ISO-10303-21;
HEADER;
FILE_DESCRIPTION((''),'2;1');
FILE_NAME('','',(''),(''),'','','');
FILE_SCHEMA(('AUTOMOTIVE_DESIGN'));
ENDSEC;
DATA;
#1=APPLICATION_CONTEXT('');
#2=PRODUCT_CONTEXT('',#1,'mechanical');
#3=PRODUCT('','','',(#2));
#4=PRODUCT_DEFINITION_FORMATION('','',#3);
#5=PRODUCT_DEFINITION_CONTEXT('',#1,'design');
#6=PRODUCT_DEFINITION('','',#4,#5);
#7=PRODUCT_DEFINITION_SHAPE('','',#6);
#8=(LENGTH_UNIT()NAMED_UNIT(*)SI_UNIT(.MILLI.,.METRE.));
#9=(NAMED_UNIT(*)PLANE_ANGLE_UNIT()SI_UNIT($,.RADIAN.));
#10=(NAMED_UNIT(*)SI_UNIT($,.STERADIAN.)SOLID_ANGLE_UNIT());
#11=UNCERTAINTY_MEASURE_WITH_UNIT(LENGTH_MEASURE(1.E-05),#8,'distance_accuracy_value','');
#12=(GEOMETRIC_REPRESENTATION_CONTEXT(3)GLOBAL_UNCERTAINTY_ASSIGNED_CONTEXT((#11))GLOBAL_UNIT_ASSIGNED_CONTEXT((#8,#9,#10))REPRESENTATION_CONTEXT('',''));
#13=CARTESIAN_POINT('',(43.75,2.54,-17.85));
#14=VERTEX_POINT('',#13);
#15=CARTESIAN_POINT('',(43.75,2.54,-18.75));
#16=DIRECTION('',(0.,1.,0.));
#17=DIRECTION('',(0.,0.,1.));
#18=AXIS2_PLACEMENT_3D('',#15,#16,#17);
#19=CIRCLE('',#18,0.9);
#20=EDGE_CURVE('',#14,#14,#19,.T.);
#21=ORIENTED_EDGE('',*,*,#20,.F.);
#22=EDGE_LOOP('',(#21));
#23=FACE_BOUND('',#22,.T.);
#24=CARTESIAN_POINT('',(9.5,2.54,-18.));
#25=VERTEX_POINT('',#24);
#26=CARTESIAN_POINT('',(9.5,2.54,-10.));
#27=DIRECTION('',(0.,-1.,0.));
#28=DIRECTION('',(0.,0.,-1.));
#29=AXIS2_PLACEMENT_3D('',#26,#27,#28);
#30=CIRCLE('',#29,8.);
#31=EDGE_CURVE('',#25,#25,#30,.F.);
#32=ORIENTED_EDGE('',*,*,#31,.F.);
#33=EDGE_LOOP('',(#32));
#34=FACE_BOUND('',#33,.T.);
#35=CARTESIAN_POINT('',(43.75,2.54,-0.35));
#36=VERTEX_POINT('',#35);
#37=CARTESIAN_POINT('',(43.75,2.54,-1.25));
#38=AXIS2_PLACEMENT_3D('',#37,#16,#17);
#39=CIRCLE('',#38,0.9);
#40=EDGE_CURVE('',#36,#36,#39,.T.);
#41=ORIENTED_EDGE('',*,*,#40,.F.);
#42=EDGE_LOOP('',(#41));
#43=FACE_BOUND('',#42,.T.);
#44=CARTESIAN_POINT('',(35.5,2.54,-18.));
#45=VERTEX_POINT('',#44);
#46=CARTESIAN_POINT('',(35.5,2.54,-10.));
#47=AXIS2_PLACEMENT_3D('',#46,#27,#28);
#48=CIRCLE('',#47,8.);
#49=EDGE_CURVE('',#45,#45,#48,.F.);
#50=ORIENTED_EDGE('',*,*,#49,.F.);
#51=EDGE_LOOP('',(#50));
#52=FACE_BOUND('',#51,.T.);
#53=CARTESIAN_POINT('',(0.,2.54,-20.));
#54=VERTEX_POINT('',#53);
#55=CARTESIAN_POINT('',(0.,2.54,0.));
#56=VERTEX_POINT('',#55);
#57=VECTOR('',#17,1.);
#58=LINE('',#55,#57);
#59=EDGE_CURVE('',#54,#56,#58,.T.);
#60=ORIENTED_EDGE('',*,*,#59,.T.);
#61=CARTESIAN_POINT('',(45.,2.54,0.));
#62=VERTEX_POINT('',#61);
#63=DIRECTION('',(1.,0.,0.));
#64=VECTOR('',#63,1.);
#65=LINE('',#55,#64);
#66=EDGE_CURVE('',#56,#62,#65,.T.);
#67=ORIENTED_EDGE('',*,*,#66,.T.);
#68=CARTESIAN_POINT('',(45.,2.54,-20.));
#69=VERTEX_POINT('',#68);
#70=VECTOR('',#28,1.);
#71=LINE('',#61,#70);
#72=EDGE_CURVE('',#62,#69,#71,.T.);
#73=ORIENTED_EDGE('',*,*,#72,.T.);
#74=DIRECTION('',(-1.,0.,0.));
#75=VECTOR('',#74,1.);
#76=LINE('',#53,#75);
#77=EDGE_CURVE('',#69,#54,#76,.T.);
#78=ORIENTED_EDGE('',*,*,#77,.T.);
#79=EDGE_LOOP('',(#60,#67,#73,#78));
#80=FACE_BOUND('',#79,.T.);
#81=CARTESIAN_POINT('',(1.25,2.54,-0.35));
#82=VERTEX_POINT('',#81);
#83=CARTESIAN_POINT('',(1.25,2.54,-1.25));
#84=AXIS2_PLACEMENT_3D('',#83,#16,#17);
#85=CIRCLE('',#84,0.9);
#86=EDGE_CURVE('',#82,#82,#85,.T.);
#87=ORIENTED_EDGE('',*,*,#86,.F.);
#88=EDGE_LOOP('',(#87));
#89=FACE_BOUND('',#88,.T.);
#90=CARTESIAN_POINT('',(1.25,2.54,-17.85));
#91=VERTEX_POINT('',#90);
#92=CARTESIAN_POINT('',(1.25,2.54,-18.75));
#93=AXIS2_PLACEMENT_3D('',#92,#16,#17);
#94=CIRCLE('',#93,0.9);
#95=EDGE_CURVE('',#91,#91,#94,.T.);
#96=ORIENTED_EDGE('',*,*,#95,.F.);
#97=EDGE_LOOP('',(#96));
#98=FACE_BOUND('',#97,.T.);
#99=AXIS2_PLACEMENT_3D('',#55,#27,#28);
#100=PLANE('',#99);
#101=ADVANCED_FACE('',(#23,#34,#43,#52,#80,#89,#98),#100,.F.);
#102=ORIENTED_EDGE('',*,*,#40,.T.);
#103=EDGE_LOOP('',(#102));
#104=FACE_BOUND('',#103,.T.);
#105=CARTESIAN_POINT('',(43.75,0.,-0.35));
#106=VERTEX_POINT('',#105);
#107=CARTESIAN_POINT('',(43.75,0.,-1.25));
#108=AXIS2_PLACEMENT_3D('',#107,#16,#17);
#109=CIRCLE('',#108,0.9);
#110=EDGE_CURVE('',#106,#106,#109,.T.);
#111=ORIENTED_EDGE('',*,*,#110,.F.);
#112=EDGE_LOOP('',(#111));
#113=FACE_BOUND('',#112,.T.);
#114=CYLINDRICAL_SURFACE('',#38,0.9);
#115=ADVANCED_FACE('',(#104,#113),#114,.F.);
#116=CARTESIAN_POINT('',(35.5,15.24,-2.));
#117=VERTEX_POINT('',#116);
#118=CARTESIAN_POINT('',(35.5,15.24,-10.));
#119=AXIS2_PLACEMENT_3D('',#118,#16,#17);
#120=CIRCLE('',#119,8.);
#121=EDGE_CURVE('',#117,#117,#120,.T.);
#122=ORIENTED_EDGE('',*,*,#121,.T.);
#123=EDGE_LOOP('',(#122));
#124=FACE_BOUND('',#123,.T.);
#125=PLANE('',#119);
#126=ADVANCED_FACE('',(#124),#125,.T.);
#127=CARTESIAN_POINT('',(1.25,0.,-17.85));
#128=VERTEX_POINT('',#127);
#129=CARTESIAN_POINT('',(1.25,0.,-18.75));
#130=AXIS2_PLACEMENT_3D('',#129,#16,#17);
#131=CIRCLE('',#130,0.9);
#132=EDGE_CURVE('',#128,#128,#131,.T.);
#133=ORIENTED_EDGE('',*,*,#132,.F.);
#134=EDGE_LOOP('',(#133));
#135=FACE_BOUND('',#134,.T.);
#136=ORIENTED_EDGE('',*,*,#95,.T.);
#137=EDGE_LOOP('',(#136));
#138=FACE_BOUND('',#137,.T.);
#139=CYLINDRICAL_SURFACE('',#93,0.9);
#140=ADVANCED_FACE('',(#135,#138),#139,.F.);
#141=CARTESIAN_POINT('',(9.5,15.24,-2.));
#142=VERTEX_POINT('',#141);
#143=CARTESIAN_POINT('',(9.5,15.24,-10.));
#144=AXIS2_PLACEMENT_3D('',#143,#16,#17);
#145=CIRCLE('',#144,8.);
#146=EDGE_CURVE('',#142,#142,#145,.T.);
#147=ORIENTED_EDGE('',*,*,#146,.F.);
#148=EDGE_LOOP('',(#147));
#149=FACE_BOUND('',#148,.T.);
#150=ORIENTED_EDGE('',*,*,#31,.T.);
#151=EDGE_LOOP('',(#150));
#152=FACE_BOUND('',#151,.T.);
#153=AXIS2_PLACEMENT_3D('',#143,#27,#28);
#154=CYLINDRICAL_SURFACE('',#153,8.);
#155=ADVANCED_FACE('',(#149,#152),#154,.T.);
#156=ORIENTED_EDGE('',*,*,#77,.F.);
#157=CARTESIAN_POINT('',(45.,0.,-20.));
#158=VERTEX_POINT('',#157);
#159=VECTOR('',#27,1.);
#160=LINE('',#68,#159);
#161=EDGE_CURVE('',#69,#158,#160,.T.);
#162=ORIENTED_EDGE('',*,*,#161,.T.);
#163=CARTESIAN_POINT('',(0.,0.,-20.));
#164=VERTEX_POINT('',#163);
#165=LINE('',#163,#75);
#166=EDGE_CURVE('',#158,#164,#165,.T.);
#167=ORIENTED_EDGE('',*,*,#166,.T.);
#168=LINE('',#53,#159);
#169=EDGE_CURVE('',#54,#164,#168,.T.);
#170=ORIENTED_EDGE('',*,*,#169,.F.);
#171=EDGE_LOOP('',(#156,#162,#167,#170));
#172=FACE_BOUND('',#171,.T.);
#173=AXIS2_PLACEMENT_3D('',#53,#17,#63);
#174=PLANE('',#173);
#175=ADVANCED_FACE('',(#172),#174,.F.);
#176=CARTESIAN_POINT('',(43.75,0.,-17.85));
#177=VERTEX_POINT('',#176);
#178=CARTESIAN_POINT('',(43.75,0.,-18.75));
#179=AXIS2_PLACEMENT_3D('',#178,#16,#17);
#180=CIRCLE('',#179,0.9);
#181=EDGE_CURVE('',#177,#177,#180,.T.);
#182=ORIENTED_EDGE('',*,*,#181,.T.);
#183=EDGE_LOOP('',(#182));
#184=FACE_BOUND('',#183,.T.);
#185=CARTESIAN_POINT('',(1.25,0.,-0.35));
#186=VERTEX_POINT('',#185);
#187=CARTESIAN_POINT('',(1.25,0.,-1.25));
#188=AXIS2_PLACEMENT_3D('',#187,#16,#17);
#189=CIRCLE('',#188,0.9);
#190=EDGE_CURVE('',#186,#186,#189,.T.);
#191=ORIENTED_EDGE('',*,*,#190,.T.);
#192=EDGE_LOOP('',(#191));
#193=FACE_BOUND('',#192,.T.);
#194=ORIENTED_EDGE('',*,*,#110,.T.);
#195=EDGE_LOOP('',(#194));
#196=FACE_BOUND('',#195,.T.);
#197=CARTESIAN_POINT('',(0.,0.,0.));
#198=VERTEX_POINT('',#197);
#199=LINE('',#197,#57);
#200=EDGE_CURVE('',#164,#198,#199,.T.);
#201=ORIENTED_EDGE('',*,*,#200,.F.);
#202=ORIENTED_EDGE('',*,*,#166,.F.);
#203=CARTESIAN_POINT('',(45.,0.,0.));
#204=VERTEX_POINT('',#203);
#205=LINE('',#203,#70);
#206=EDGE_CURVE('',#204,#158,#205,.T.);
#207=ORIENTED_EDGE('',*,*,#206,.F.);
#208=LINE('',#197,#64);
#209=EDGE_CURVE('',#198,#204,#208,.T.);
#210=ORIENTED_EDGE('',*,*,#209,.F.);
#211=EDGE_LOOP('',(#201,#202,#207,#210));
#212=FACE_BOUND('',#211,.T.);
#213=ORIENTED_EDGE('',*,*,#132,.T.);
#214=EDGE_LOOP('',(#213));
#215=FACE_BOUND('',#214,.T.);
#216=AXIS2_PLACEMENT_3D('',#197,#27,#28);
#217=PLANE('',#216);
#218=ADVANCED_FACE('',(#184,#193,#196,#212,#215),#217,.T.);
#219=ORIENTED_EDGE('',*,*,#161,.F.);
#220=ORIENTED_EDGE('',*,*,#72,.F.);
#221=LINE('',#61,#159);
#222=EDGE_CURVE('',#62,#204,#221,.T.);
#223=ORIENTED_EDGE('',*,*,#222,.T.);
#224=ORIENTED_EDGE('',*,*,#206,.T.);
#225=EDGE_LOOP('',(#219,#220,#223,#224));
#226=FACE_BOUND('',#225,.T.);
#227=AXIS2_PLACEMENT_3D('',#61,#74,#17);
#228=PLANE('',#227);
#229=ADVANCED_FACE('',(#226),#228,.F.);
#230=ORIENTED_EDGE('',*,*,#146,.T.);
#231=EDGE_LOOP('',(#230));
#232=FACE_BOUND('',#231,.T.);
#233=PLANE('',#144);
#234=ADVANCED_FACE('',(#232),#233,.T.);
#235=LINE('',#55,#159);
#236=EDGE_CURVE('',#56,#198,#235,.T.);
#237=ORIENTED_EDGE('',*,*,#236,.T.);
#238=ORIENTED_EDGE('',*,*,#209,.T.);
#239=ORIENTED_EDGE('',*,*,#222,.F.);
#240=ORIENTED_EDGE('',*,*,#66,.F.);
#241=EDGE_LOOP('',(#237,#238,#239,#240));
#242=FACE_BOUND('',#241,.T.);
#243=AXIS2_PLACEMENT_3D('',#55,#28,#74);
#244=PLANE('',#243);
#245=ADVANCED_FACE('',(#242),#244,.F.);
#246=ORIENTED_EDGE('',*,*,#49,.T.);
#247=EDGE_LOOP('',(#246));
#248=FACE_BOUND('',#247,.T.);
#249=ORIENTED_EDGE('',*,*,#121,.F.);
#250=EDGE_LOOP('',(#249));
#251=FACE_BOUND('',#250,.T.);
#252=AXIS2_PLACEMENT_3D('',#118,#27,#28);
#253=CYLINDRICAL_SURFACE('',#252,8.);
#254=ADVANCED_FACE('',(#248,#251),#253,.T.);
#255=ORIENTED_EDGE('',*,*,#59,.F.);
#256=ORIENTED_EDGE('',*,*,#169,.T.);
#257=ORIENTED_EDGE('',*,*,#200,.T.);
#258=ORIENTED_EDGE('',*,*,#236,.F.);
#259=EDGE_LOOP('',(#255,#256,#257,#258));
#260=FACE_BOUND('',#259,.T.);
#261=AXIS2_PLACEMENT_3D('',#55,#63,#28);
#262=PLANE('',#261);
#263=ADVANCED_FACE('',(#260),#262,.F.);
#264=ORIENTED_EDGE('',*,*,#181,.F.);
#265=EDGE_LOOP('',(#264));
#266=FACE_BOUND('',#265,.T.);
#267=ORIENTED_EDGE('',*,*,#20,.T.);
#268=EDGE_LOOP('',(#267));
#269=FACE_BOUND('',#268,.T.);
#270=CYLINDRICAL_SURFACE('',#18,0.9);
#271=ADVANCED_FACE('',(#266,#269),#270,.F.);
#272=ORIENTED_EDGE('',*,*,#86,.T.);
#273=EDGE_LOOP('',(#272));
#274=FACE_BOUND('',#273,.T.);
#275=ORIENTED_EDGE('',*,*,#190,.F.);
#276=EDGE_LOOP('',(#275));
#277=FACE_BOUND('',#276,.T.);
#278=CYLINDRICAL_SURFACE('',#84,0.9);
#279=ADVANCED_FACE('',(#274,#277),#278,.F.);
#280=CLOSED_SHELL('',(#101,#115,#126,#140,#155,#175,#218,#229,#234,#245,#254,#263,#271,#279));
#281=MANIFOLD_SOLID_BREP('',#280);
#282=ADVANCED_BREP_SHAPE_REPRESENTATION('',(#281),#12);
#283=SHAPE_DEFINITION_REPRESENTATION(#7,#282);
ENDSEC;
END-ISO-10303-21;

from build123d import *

# Parameters (mm, degrees)
SKETCH2_W              = 45
SKETCH2_H              = 20
BOSS_EXTRUDE1_DEPTH    = 2.54
M1_6_CLEARANCE_HOLE1_D = 1.8
SKETCH6_R              = 8
BOSS_EXTRUDE2_DEPTH    = 12.7


with BuildPart() as part:
    # Sketch2 → Boss-Extrude1 (new body)
    with BuildSketch(Plane(origin=(0, 0, 0), x_dir=(1, 0, 0), z_dir=(0, 1, 0))):
        with Locations((22.5, 10)):
            Rectangle(SKETCH2_W, SKETCH2_H)
    extrude(amount=BOSS_EXTRUDE1_DEPTH)

    # M1.6 Clearance Hole1 (through all)
    with Locations(Plane(origin=(0, 2.54, 0), x_dir=(1, 0, 0), z_dir=(0, 1, 0))):
        with Locations((43.75, 18.75), (1.25, 18.75), (1.25, 1.25), (43.75, 1.25)):
            Hole(M1_6_CLEARANCE_HOLE1_D / 2)

    # Sketch6 → Boss-Extrude2 (add)
    with BuildSketch(Plane(origin=(0, 2.54, 0), x_dir=(1, 0, 0), z_dir=(0, 1, 0))):
        with Locations((9.5, 10)):
            Circle(SKETCH6_R)
        with Locations((35.5, 10)):
            Circle(SKETCH6_R)
    extrude(amount=BOSS_EXTRUDE2_DEPTH)


solid = part.part
